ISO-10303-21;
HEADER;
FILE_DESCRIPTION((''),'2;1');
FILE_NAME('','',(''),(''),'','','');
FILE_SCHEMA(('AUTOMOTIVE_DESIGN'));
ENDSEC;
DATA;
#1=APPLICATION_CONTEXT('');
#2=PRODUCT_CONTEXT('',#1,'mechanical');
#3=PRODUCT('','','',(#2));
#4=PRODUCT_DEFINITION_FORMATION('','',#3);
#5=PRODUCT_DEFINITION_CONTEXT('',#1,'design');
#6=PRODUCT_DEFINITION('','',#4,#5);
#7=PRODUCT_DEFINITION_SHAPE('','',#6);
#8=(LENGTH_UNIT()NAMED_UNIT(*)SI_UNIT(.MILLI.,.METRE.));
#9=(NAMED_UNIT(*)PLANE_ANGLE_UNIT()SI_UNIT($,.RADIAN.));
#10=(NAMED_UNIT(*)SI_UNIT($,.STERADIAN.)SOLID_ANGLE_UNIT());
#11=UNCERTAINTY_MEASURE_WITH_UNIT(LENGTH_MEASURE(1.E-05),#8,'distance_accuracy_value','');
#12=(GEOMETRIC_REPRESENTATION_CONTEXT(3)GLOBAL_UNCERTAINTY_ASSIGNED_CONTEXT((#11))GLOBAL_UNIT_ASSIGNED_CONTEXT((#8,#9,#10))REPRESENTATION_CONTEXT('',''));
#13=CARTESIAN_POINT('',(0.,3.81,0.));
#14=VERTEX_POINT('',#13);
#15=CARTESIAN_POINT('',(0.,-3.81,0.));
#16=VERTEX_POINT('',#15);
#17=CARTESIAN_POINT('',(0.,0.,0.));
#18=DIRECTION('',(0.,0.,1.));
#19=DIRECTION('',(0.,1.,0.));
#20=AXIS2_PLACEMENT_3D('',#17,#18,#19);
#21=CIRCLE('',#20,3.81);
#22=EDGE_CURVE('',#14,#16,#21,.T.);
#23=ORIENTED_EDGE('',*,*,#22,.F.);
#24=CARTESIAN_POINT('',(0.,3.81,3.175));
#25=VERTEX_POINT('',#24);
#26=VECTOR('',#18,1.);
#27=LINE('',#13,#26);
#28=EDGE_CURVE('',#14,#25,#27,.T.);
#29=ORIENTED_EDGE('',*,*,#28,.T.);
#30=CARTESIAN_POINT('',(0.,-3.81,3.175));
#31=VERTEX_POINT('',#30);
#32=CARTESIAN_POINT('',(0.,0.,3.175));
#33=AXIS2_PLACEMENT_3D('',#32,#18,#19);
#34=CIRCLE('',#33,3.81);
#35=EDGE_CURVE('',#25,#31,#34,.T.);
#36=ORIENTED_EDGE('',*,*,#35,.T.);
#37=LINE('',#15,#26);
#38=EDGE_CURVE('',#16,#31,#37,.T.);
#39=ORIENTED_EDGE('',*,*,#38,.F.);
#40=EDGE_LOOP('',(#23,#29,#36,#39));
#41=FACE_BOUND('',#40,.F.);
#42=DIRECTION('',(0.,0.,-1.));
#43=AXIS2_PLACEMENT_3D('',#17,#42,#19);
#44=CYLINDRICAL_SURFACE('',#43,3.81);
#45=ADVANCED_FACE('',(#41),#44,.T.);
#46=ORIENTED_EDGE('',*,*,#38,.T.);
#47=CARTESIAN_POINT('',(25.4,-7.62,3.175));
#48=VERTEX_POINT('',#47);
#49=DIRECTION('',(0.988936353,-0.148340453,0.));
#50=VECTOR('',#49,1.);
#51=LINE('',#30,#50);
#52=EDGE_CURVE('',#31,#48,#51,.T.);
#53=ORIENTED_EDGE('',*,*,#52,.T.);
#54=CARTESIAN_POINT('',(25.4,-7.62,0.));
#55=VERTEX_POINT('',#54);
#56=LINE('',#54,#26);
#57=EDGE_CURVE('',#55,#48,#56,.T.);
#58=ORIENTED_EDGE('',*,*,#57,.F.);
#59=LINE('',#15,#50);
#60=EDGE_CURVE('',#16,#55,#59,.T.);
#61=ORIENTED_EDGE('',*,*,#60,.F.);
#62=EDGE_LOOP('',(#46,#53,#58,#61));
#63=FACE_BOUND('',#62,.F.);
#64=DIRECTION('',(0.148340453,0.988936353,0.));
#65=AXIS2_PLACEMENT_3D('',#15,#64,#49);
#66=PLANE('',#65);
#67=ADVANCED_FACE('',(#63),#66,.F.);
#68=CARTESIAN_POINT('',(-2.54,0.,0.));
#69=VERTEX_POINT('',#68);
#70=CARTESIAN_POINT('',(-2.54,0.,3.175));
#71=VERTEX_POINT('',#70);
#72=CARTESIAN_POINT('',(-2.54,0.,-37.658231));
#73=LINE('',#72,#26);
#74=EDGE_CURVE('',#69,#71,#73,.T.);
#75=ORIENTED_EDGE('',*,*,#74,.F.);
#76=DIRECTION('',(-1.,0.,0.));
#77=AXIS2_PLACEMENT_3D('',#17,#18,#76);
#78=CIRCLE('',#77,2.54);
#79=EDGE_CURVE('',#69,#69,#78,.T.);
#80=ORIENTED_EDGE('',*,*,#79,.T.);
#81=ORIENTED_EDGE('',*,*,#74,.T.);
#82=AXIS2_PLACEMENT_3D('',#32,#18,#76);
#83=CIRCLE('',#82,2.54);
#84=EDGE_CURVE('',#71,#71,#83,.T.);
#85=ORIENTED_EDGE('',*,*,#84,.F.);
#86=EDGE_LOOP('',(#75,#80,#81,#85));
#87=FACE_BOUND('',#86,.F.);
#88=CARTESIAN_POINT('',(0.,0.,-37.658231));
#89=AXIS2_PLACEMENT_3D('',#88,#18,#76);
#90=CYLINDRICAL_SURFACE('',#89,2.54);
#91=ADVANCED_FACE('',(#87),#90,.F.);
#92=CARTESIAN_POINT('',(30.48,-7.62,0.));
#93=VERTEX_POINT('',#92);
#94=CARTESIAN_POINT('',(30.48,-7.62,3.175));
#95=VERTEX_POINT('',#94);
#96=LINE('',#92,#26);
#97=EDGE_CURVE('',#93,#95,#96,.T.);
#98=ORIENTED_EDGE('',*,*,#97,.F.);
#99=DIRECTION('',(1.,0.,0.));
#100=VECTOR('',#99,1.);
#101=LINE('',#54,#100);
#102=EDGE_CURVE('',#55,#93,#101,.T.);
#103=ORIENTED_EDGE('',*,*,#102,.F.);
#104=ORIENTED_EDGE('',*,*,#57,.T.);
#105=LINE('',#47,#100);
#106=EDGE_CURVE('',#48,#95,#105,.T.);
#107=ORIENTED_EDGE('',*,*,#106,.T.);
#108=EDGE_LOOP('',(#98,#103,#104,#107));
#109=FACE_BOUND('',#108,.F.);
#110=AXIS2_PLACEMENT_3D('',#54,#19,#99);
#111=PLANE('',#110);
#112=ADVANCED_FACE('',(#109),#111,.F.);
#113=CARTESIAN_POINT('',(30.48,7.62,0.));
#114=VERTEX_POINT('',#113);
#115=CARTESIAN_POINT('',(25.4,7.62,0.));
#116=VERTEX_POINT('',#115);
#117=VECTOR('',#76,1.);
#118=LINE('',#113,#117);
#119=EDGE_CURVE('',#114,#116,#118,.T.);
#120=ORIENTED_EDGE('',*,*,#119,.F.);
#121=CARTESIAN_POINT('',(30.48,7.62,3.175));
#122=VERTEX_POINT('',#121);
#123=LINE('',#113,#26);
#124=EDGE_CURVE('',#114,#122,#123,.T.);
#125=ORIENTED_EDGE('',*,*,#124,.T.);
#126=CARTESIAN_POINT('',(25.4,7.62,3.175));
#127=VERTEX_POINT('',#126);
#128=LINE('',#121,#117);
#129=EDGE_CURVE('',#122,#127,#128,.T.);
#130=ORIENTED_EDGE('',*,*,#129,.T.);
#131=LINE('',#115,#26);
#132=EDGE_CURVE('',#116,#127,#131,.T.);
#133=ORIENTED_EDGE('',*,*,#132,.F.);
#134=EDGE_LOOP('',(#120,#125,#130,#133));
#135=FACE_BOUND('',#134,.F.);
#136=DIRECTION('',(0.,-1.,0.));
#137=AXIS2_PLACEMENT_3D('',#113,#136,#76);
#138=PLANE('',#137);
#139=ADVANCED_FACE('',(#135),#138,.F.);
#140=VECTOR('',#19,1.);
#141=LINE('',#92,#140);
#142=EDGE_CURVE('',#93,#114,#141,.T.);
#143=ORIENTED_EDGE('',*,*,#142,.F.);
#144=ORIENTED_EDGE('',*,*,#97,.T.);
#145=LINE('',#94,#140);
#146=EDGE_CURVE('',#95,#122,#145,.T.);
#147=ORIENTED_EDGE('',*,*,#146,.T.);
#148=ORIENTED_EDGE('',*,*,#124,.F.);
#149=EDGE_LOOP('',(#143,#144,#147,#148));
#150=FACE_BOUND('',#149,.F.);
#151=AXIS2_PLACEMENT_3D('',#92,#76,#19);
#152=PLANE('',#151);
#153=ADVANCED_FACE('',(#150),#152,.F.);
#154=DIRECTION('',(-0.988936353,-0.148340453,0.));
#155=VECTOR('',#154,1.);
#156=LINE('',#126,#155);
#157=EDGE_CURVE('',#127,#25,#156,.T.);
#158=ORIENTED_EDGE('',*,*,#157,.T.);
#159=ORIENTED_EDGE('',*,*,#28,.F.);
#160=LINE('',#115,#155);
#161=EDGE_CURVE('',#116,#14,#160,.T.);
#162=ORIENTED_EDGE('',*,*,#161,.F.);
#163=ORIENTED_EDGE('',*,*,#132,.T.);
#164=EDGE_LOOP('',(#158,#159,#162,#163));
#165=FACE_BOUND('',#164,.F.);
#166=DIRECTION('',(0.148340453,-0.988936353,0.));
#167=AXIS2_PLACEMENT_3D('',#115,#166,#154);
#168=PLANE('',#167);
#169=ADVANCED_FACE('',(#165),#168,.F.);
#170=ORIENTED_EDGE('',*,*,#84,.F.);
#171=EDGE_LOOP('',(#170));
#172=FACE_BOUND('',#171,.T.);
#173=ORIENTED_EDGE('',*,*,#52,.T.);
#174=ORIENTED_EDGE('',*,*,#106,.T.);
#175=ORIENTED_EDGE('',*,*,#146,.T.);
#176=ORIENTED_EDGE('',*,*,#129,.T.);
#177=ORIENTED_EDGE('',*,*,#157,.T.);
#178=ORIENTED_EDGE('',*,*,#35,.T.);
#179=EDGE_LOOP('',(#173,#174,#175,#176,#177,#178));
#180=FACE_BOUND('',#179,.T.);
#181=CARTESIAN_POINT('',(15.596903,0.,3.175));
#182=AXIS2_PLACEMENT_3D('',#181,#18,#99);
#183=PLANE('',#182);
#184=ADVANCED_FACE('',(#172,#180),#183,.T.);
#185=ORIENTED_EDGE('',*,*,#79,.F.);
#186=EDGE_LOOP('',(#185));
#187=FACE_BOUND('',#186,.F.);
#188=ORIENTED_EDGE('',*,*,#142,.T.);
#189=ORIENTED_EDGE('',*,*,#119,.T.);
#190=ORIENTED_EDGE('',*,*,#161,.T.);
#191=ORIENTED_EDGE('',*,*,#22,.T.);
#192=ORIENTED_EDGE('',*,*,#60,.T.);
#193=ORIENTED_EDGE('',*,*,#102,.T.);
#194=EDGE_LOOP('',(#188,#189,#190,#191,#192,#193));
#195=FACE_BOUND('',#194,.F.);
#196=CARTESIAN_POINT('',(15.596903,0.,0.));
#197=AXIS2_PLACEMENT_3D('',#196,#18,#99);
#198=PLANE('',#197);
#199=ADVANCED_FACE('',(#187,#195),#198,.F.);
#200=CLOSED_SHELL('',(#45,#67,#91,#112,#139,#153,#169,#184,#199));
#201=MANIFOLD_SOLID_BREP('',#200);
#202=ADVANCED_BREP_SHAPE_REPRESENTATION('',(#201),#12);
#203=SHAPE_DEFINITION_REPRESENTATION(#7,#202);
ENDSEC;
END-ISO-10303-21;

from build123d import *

# Parameters (mm, degrees)
F1_DEPTH = 3.175
F3_D     = 5.08


with BuildPart() as f1:
    # F0 (on Top) → F1 (new body)
    with BuildSketch(Plane.XY):
        with BuildLine():
            Line((25.4, 7.62), (0, 3.81))
            ThreePointArc((0, 3.81), (-3.81, 0), (0, -3.81))
            Line((0, -3.81), (25.4, -7.62))
            Line((25.4, -7.62), (30.48, -7.62))
            Line((30.48, -7.62), (30.48, 7.62))
            Line((30.48, 7.62), (25.4, 7.62))
        make_face()
    extrude(amount=F1_DEPTH)

    # F3 (through all)
    with Locations(Plane(origin=(0, 0, 0), x_dir=(1, 0, 0), z_dir=(0, 0, -1))):
        with Locations((0, 0)):
            Hole(F3_D / 2)


solid = f1.part
